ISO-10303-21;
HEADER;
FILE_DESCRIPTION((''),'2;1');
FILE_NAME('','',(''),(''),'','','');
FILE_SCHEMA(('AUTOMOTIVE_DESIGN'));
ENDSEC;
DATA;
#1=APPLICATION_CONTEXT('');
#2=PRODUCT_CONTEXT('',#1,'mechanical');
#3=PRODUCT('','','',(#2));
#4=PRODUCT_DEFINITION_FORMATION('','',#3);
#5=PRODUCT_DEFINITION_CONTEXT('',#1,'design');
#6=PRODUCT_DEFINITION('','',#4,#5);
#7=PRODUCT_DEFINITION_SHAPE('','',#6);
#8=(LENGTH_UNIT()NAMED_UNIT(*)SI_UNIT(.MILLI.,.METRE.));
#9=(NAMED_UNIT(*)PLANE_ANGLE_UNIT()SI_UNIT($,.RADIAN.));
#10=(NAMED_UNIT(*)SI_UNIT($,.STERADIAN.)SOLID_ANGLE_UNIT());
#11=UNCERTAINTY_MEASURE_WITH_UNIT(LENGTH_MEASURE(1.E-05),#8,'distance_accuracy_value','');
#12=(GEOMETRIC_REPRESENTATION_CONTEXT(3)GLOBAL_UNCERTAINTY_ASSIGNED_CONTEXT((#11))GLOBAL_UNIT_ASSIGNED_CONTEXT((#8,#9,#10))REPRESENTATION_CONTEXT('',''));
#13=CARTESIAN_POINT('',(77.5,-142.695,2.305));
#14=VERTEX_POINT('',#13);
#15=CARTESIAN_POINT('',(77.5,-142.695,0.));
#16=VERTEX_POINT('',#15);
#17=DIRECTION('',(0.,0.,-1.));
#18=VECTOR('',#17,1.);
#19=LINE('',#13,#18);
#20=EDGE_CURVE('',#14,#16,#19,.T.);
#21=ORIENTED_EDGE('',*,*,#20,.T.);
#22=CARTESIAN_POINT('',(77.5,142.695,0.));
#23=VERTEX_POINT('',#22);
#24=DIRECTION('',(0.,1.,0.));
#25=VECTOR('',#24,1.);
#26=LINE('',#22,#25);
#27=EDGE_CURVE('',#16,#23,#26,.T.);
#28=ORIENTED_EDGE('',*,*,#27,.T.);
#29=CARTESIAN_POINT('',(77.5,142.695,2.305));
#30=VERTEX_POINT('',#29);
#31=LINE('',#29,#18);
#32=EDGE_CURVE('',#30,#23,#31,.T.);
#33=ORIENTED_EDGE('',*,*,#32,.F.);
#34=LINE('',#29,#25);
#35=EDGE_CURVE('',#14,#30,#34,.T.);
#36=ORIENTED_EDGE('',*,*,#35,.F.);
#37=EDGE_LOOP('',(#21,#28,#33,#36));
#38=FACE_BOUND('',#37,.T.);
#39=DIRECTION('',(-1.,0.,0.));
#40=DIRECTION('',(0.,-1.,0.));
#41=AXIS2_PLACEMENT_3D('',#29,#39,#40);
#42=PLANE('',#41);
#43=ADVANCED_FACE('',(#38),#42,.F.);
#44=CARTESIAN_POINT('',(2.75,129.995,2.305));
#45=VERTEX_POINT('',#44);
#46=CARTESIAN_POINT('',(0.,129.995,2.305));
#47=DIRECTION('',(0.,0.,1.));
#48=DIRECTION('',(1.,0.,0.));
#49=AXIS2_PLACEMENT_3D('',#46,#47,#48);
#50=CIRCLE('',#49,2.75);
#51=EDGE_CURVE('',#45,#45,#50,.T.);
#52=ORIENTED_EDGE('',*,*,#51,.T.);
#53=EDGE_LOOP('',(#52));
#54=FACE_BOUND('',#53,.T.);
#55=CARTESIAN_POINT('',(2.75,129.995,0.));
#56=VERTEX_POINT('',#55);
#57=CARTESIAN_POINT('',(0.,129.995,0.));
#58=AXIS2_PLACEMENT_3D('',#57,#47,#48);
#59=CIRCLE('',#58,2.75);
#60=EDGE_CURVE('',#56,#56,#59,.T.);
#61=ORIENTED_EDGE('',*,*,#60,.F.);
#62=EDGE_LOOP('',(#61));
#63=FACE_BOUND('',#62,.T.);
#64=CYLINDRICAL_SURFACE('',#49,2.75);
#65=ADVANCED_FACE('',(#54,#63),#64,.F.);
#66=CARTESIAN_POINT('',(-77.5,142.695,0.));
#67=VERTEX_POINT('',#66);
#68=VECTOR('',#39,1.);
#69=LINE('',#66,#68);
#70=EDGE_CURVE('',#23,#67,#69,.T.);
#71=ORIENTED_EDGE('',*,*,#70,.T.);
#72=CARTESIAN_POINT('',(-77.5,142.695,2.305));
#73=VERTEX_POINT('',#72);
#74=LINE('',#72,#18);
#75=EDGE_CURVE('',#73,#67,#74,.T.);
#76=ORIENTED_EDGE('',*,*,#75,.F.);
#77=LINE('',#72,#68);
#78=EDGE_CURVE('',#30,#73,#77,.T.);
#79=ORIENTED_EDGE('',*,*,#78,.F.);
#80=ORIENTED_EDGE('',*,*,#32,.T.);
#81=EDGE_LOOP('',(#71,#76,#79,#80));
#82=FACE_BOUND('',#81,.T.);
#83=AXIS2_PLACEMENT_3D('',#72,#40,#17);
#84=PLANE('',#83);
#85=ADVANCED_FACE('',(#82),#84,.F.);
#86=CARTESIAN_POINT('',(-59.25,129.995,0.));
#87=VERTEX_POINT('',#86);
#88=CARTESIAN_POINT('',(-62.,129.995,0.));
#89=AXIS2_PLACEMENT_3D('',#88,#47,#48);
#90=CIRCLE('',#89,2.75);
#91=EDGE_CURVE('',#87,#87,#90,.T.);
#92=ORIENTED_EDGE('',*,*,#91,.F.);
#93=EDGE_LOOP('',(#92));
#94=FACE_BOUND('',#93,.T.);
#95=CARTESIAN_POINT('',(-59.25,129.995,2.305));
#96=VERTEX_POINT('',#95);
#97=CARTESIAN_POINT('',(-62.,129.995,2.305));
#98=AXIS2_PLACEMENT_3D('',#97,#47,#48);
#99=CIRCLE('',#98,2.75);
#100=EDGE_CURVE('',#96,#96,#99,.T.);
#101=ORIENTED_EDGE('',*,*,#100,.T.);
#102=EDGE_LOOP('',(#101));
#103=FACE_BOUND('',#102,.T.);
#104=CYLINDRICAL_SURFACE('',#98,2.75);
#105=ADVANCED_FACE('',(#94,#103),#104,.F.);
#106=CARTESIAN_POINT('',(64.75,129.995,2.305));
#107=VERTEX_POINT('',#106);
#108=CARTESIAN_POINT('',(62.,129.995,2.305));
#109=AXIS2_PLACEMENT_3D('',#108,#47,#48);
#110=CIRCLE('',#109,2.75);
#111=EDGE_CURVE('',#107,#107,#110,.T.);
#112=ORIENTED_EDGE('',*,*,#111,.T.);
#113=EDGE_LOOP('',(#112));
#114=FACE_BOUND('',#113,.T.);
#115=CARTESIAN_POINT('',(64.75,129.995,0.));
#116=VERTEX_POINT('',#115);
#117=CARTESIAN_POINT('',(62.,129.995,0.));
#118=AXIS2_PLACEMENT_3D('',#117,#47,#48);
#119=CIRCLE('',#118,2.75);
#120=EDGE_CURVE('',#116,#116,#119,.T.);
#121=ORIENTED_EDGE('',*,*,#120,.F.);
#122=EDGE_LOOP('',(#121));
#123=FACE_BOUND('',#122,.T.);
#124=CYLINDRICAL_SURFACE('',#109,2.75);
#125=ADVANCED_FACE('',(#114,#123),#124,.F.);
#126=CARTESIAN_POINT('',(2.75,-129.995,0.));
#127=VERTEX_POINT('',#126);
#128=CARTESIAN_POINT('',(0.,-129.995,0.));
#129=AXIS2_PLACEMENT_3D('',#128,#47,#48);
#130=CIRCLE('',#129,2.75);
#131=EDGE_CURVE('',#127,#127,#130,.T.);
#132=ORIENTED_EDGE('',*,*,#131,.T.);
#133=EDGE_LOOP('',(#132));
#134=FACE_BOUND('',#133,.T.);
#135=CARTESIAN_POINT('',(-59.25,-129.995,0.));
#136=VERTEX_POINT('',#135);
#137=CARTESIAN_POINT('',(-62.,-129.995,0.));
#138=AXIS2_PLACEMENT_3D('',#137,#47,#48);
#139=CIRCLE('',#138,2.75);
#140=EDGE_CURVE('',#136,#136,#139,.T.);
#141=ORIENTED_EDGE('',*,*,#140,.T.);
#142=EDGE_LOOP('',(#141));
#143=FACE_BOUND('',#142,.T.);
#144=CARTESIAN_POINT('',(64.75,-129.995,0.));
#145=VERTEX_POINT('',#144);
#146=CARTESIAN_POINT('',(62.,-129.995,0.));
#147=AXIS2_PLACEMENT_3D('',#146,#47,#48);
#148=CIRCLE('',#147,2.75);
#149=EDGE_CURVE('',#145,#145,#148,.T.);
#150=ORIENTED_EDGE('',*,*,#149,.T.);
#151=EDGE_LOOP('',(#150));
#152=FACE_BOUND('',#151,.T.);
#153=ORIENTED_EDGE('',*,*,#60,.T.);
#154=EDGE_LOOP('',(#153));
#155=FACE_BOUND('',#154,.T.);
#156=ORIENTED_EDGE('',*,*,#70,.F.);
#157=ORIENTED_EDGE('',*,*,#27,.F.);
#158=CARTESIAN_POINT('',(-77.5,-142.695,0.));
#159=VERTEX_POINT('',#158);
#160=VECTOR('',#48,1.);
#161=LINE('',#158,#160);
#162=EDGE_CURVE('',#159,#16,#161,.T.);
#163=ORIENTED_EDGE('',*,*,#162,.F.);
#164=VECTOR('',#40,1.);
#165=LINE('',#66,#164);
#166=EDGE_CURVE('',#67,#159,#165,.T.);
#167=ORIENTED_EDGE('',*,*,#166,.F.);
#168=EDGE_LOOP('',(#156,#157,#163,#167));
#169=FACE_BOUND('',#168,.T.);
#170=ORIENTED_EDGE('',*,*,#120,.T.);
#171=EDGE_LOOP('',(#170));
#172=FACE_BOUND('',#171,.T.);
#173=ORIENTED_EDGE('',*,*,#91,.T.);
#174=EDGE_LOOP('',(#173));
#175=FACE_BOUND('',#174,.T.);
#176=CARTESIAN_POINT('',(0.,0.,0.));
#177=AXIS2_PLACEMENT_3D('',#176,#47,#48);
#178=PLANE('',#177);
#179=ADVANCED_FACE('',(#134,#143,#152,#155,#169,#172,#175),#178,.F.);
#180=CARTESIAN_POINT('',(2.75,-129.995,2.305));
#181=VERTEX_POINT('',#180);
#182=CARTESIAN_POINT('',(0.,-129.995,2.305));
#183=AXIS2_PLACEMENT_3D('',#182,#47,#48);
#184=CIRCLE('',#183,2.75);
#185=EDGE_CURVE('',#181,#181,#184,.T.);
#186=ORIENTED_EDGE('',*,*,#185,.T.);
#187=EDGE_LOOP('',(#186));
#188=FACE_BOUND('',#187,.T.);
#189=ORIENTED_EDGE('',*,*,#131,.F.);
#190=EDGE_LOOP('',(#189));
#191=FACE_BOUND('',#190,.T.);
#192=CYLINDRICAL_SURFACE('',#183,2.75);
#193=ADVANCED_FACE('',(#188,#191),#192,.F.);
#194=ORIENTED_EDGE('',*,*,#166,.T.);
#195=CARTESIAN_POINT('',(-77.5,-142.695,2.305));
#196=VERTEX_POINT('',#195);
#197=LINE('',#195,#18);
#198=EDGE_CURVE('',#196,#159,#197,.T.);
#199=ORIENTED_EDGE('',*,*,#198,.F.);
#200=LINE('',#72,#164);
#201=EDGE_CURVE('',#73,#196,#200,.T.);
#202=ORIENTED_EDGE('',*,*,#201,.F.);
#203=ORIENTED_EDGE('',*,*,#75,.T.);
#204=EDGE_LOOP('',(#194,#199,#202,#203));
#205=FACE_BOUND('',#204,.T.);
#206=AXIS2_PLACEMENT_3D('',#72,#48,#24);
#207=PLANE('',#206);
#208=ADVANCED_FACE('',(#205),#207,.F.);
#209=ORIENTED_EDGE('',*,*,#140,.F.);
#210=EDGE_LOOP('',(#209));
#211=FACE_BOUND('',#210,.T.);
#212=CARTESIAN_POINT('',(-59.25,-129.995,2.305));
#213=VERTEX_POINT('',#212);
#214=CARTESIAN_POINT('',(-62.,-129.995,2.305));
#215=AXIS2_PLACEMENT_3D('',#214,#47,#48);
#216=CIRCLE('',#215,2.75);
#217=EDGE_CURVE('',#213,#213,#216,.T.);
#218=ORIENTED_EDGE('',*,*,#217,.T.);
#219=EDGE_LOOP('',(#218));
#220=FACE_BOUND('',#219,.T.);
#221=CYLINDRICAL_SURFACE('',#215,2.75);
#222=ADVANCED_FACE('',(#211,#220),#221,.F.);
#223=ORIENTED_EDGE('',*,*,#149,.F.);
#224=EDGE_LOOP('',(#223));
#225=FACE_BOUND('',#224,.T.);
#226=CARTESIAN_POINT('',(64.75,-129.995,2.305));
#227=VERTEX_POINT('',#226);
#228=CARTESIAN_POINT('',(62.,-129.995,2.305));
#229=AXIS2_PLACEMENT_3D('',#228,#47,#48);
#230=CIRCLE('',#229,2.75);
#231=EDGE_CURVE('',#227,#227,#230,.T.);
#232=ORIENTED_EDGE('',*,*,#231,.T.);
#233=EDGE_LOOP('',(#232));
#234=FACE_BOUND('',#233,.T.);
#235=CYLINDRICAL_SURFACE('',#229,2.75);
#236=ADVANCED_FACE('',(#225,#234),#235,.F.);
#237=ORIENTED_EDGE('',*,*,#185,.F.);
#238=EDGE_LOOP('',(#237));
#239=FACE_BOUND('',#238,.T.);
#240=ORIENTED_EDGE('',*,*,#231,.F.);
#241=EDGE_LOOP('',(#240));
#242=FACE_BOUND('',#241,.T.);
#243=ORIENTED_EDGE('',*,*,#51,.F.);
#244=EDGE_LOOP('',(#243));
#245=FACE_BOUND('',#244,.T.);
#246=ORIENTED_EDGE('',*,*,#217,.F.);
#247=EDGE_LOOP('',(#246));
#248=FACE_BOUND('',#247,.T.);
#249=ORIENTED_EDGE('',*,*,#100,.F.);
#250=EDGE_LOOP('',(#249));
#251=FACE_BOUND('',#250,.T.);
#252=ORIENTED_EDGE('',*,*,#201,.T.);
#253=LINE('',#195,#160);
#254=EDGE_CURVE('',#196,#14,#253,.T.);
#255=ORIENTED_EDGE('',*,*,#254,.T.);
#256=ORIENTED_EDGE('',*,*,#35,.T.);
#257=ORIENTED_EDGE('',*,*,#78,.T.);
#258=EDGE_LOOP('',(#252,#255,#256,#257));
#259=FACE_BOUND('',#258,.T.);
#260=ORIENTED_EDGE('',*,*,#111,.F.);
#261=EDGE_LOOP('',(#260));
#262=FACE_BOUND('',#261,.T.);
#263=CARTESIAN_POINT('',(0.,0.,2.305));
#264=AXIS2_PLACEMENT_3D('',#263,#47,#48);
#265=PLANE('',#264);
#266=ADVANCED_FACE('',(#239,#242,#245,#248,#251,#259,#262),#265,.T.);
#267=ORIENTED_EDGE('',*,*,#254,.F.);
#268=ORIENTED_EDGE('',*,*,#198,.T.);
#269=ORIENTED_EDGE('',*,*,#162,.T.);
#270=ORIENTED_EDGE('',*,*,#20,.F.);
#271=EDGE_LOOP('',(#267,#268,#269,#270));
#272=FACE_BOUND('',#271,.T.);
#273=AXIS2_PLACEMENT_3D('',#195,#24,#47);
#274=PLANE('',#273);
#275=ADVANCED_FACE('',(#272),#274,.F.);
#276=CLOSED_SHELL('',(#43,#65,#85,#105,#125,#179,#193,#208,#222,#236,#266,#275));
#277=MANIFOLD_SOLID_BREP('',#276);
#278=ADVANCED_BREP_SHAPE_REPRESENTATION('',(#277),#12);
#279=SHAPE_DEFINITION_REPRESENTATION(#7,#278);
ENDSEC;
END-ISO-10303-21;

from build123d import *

# Parameters (mm, degrees)
SKETCH1_W            = 155
SKETCH1_H            = 285.39
BOSS_EXTRUDE1_DEPTH  = 2.305
M5_CLEARANCE_HOLE1_D = 5.5


with BuildPart() as part:
    # Sketch1 → Boss-Extrude1 (new body)
    with BuildSketch(Plane.XY):
        Rectangle(SKETCH1_W, SKETCH1_H)
    extrude(amount=BOSS_EXTRUDE1_DEPTH)

    # M5 Clearance Hole1 (through all)
    with Locations(Plane.XY.offset(2.305)):
        with Locations((-62, 129.995), (0, 129.995), (62, 129.995), (-62, -129.995), (0, -129.995), (62, -129.995)):
            Hole(M5_CLEARANCE_HOLE1_D / 2)


solid = part.part
